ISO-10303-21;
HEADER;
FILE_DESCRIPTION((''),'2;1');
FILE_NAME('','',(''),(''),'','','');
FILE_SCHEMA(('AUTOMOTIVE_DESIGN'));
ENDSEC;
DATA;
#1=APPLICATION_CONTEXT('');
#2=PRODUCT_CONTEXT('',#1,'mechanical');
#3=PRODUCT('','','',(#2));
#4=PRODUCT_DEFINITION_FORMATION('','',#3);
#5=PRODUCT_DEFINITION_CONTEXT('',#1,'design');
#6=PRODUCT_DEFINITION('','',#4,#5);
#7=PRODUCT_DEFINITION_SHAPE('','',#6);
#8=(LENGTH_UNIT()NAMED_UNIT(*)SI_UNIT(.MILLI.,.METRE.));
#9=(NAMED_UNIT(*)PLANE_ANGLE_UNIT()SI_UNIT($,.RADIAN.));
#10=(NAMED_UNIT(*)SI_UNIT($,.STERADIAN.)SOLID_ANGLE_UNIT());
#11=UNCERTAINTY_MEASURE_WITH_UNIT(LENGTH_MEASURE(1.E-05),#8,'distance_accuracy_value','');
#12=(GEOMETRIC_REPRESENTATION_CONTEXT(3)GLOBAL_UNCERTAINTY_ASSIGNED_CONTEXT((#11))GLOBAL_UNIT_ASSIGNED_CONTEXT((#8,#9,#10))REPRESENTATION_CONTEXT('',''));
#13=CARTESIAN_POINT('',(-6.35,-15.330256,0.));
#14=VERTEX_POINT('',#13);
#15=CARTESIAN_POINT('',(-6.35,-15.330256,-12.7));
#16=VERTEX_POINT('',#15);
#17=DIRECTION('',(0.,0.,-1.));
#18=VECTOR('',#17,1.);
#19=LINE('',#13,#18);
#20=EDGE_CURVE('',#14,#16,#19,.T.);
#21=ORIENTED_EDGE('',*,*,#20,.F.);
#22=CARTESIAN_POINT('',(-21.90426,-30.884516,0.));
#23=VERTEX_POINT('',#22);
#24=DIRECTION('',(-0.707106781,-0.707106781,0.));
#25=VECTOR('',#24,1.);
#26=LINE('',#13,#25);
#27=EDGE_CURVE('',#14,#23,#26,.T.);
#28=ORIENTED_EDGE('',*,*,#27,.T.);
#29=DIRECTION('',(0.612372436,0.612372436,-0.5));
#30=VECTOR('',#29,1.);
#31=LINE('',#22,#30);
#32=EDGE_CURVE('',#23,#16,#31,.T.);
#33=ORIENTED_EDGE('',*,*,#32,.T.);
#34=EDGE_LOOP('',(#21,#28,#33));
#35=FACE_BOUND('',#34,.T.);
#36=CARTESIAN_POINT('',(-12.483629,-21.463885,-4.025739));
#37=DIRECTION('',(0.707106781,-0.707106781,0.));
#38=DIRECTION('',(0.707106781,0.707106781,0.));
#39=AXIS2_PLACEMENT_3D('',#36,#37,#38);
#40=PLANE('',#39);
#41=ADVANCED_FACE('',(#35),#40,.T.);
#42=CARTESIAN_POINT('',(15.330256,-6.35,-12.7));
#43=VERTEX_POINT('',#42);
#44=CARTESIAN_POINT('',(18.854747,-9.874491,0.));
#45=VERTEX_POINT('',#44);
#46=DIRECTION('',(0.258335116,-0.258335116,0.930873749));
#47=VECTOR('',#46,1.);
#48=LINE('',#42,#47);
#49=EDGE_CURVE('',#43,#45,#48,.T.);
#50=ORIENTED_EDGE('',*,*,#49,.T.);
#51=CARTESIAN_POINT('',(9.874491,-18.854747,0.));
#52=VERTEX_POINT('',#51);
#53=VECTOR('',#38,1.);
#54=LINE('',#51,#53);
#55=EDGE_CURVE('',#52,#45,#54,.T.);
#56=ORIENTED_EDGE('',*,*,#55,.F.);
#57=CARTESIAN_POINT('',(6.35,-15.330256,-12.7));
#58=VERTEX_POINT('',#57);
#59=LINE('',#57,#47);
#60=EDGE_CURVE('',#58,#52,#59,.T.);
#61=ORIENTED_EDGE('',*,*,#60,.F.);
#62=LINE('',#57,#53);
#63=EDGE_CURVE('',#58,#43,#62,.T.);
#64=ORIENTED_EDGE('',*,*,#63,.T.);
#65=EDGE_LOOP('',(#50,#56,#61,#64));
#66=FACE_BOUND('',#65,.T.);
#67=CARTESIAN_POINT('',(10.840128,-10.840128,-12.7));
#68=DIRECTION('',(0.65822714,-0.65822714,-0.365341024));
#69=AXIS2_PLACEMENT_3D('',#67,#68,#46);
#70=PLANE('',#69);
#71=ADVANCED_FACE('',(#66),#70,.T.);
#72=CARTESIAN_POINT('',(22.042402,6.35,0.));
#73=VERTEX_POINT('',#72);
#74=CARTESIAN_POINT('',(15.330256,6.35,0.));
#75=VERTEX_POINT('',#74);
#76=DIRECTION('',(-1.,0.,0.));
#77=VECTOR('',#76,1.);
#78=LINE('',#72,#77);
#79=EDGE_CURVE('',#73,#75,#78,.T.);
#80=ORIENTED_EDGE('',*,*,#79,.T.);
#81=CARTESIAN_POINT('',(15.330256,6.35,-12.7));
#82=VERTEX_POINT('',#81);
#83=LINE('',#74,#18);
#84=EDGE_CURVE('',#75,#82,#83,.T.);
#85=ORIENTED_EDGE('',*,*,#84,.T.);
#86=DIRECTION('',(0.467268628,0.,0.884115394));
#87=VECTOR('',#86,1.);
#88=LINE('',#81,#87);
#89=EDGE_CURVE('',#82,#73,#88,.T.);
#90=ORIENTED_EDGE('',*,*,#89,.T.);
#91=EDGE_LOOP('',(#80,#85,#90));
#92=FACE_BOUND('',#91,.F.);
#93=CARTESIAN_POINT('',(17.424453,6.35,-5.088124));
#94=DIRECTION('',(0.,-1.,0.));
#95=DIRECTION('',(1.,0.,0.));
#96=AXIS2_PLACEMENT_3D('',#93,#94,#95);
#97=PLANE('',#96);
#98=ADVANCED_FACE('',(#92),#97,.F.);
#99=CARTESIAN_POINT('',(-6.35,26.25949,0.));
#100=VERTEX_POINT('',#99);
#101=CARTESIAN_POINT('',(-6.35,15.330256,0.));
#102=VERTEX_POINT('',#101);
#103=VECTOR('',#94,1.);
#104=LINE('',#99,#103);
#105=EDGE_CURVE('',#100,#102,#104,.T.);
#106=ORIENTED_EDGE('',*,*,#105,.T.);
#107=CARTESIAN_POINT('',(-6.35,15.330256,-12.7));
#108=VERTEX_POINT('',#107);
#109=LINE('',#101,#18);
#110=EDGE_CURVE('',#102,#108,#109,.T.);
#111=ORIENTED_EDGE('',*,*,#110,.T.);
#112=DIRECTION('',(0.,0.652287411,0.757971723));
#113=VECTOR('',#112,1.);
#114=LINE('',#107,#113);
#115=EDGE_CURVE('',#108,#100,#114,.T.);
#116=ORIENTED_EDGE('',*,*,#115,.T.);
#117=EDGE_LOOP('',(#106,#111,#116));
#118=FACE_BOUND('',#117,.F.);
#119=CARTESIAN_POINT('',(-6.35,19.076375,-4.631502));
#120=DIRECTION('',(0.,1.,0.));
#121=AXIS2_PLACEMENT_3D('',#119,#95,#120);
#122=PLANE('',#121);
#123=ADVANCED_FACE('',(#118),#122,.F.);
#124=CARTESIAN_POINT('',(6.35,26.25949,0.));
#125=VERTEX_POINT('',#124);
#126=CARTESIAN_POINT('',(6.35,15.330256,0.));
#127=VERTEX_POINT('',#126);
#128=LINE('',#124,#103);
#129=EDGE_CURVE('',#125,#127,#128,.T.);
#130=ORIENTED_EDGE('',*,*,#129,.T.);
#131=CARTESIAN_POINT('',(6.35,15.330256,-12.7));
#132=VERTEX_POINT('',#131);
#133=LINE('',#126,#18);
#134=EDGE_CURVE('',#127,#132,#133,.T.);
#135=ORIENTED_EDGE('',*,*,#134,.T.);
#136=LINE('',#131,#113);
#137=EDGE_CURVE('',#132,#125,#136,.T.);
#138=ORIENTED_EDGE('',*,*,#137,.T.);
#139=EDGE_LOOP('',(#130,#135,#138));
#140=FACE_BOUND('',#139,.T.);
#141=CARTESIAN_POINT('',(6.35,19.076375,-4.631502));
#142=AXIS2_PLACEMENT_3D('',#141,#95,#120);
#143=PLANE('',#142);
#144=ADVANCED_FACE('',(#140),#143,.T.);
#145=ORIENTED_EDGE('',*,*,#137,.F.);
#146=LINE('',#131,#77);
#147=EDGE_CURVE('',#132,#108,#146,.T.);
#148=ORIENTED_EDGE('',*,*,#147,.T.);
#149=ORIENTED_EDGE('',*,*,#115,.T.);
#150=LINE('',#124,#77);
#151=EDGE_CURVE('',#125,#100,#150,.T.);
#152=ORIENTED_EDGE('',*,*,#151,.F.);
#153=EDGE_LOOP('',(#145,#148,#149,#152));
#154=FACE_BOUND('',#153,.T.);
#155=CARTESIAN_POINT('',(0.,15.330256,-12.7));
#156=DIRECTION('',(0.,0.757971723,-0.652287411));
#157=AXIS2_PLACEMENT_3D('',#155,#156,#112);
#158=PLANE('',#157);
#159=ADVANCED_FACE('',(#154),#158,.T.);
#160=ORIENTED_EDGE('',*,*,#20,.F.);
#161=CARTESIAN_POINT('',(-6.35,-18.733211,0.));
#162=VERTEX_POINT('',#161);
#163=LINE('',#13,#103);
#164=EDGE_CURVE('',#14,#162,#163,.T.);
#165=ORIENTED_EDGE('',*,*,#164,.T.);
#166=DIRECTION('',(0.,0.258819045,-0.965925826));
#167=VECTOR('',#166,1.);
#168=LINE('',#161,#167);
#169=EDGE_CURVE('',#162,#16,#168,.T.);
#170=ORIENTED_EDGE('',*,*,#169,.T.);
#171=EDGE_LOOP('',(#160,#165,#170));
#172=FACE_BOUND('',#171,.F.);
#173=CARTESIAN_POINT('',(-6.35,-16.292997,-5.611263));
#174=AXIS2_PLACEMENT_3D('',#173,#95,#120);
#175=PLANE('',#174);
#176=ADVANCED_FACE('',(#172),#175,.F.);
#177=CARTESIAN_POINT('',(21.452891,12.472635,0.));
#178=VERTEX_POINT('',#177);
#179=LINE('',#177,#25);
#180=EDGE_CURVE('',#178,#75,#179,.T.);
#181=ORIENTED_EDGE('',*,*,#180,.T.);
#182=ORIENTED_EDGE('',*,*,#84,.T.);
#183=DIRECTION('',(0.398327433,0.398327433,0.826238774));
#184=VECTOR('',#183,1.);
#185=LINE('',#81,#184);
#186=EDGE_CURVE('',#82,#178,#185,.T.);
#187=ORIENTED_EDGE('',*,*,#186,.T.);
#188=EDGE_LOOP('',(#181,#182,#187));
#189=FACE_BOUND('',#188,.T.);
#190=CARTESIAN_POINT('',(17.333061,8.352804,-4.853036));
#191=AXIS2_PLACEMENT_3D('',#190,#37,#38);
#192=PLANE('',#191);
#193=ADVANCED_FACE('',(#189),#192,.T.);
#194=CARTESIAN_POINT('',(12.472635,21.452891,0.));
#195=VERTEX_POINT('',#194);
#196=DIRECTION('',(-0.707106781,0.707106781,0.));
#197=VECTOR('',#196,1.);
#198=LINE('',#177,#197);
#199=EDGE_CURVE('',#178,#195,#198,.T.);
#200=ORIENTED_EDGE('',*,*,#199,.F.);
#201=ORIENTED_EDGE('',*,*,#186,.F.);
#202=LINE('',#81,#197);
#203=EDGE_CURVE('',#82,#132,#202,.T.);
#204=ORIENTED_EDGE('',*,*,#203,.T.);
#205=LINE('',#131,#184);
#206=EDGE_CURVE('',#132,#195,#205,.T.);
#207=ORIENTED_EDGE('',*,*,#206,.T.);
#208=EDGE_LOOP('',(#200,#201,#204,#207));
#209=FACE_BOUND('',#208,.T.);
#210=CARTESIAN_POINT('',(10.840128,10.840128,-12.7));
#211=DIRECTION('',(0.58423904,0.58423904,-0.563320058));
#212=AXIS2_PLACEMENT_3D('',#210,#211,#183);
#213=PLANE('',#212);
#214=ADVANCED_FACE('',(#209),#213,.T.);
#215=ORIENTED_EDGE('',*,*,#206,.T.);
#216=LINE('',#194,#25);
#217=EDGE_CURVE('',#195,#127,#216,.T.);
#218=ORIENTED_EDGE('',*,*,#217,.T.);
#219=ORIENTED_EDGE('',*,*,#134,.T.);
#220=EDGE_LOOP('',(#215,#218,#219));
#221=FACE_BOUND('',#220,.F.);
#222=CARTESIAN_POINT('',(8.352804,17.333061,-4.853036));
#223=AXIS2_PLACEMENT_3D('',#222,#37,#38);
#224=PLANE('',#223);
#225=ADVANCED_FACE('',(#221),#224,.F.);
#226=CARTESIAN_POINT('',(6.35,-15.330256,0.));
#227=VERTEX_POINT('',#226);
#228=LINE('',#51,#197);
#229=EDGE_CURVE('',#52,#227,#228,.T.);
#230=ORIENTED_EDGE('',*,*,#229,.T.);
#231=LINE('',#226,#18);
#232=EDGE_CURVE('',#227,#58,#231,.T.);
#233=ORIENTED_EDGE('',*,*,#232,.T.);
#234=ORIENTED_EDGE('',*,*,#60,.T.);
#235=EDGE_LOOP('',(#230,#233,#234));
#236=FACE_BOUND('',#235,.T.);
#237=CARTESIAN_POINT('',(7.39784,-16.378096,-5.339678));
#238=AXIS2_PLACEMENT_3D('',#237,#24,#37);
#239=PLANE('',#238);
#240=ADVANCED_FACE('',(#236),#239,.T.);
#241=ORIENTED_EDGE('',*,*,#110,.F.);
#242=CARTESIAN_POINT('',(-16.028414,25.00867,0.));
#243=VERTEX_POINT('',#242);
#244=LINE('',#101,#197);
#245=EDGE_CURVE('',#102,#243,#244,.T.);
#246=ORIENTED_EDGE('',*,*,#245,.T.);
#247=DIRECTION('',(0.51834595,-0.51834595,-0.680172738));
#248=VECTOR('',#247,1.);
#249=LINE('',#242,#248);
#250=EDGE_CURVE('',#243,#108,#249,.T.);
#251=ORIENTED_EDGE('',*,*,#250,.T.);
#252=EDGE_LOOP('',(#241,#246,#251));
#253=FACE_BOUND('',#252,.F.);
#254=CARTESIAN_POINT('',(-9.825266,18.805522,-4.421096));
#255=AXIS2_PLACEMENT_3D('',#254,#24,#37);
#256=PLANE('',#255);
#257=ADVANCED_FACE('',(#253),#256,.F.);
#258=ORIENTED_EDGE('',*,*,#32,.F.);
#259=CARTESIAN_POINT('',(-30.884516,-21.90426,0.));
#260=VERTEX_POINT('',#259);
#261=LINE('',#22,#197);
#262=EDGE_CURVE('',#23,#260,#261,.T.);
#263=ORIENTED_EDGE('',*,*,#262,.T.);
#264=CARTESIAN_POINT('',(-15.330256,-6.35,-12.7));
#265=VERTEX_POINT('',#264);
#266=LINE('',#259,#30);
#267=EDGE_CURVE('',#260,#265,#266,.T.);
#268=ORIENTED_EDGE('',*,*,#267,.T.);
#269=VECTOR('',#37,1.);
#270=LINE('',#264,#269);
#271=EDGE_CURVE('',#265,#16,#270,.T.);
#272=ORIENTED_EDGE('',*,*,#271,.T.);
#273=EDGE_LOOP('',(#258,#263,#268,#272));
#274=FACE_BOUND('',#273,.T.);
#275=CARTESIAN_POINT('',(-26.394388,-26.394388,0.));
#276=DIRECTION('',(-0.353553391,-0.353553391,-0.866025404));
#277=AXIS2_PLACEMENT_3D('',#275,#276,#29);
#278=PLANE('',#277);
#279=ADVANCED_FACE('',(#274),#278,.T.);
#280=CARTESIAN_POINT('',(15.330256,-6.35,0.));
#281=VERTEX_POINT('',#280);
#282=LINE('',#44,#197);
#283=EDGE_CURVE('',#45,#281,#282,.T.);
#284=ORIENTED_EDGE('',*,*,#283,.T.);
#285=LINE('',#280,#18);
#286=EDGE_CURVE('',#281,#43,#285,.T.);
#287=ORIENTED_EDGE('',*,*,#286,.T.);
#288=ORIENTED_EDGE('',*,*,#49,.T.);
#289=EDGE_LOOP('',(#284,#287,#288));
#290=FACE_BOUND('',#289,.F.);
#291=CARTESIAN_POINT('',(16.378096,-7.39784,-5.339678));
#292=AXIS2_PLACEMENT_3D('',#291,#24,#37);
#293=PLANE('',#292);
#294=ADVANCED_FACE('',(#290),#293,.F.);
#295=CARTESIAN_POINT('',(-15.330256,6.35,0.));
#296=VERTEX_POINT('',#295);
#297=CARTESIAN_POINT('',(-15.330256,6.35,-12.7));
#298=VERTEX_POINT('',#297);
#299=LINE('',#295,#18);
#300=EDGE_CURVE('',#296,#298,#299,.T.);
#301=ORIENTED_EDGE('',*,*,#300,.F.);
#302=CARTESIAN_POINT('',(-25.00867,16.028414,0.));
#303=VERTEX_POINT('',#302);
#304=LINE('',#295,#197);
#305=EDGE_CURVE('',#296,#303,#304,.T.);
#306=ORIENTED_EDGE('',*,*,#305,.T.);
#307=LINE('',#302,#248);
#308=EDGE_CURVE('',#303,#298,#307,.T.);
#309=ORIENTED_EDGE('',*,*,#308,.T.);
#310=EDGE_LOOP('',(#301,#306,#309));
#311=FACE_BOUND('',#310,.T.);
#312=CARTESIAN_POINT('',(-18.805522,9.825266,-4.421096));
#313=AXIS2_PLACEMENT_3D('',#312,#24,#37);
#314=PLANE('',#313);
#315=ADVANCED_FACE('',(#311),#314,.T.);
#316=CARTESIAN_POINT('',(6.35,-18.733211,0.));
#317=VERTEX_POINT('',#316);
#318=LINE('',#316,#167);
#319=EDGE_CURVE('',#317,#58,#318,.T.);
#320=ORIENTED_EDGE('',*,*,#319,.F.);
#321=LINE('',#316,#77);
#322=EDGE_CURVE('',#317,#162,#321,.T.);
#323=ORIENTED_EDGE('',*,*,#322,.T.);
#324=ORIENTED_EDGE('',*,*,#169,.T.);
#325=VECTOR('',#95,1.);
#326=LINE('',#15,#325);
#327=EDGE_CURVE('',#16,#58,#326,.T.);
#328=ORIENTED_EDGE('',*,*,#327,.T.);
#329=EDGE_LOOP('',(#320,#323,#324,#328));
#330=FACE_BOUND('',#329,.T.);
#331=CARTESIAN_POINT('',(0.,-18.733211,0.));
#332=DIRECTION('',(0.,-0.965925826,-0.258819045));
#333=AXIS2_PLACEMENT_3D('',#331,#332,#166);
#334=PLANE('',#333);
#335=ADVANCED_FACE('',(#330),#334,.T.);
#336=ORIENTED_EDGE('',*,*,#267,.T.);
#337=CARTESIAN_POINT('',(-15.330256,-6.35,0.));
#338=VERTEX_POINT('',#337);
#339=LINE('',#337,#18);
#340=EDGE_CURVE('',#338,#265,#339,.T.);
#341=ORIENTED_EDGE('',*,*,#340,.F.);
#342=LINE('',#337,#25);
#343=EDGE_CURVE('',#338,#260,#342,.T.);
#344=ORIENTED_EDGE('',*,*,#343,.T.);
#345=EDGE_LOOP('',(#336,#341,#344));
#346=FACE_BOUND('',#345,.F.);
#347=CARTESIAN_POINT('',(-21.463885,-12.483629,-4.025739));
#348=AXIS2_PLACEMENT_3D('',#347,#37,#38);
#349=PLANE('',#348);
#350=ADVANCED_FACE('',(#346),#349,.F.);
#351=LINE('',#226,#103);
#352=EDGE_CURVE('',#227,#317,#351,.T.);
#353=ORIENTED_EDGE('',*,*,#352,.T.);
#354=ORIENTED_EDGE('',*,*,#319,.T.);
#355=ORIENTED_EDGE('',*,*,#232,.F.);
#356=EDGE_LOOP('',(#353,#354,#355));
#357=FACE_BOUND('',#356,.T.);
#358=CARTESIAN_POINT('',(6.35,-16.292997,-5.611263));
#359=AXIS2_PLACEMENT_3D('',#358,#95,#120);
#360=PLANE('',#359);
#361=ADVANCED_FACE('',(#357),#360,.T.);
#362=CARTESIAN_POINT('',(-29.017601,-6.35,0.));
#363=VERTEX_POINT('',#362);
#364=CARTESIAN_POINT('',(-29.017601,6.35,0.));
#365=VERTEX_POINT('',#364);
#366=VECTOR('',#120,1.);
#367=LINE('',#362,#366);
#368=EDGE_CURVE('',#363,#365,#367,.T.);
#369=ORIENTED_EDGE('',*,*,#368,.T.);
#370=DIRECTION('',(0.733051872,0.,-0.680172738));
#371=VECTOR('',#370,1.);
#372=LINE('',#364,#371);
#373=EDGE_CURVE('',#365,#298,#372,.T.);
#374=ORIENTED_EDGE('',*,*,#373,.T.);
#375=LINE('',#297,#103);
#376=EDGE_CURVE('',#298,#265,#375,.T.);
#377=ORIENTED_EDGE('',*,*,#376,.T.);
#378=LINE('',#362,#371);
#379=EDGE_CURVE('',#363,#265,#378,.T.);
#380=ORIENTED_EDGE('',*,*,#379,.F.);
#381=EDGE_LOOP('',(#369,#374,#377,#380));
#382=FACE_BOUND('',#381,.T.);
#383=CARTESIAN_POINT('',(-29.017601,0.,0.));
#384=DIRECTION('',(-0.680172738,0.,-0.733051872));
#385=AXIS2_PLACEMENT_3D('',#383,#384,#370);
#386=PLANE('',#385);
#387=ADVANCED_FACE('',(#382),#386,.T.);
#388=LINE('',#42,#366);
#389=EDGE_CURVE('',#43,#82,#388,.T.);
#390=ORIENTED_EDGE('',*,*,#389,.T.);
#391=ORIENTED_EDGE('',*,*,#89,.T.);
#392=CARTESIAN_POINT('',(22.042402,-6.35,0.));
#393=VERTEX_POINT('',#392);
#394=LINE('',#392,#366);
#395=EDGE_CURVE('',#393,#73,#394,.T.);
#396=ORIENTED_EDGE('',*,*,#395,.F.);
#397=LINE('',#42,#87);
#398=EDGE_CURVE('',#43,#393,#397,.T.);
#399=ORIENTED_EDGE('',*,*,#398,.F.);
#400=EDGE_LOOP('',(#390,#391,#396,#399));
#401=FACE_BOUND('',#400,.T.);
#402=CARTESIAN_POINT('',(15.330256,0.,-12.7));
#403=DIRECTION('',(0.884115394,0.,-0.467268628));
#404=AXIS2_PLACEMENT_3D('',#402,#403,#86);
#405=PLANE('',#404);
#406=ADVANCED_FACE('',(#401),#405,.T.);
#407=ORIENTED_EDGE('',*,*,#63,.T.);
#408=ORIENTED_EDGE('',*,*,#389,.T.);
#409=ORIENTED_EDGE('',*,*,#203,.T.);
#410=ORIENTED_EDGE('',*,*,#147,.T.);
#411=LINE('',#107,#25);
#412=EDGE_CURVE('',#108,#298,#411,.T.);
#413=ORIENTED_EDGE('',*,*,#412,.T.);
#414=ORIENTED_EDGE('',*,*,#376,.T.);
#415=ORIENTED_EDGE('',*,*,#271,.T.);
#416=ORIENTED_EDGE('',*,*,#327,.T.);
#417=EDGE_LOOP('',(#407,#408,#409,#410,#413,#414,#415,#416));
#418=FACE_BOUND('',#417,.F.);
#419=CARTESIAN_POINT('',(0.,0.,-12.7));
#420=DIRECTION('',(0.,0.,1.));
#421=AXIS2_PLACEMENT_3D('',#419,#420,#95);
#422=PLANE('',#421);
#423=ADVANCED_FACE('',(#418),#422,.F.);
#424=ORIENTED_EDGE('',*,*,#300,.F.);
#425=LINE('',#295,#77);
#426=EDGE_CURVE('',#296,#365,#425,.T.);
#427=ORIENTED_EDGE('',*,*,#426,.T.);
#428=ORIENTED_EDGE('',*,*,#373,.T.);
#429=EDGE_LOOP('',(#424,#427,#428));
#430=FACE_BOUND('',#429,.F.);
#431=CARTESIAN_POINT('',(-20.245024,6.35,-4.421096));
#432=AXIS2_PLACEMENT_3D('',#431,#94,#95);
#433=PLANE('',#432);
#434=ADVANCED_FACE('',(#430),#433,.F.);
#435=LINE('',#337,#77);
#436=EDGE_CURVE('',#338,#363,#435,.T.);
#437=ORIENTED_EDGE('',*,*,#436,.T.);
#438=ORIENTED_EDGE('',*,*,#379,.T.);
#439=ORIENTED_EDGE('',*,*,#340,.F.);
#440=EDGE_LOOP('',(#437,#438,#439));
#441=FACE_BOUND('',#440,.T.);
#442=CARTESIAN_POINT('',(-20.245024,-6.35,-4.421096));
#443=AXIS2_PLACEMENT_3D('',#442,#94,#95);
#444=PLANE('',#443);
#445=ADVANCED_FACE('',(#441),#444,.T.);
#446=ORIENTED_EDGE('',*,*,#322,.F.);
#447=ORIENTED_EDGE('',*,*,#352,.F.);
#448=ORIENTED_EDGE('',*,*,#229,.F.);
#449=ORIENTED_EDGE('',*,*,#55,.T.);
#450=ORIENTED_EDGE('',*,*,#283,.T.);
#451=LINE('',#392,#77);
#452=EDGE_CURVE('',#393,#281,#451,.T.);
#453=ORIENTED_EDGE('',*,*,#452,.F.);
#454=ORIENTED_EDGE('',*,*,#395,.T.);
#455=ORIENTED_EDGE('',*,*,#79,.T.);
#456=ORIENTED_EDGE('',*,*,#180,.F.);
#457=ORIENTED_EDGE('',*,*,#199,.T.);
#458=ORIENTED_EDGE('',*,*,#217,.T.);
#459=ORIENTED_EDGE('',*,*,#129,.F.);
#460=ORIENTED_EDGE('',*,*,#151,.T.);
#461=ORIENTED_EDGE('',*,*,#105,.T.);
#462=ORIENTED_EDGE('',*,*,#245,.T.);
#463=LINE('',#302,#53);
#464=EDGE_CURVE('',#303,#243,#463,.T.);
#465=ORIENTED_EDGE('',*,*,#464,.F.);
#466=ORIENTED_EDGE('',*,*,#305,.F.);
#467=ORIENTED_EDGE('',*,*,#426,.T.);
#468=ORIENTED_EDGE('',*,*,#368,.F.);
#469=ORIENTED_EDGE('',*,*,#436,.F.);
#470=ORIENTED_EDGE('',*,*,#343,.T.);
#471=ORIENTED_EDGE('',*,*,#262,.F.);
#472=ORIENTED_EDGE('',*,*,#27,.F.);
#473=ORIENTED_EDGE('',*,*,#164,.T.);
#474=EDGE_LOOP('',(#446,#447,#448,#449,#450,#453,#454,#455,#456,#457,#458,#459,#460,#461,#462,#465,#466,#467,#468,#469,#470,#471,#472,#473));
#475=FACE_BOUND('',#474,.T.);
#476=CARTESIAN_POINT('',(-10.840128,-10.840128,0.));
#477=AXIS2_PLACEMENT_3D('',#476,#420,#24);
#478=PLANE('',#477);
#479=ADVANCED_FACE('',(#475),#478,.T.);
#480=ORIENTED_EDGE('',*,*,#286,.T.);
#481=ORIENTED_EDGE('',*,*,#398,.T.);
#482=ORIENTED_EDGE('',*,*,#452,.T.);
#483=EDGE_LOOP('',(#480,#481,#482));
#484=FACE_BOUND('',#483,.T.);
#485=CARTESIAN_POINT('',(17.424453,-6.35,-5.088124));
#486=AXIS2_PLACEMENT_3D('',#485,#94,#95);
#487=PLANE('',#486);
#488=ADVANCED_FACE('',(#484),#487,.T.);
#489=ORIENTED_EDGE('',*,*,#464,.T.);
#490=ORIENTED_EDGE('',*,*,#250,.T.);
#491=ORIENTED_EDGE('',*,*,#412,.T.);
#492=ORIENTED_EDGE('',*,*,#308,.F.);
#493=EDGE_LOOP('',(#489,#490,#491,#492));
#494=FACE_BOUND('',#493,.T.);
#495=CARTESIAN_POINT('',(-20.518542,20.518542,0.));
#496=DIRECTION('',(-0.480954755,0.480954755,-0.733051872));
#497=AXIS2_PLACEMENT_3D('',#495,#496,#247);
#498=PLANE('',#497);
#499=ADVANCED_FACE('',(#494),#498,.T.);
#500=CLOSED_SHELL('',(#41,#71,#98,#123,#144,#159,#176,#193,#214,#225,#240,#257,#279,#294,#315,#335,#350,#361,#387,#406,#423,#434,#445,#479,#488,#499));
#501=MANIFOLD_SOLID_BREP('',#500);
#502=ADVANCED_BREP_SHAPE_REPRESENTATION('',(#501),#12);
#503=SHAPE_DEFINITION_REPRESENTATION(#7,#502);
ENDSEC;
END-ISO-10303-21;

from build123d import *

# Parameters (mm, degrees)
F1_DEPTH  = 12.7
F5_DEPTH  = 6.35
F7_DEPTH  = 6.35
F9_DEPTH  = 6.35
F11_DEPTH = 6.35
F13_DEPTH = 6.35
F15_DEPTH = 6.35
F17_DEPTH = 6.35
F19_DEPTH = 6.35


with BuildPart() as f1:
    # F0 (on Top) → F1 (new body)
    with BuildSketch(Plane.XY):
        Polygon((6.35, -15.3302561211), (15.3302561211, -6.35), (15.3302561211, 6.35), (6.35, 15.3302561211), (-6.35, 15.3302561211), (-15.3302561211, 6.35), (-15.3302561211, -6.35), (-6.35, -15.3302561211), align=None)
    extrude(amount=-F1_DEPTH)

    # F4 (on Right) → F5 (join, symmetric)
    with BuildSketch(Plane.YZ):
        Polygon((-15.3302561211, -12.7), (-15.3302561211, 0), (-18.7332108649, 0), align=None)
    extrude(amount=F5_DEPTH, both=True)

    # F6 (on mid) → F7 (join, symmetric)
    with BuildSketch(Plane(origin=(0, 0, 0), x_dir=(0.7071067812, -0.7071067812, 0), z_dir=(-0.7071067812, -0.7071067812, 0))):
        Polygon((20.314638822, 0), (15.3302561211, 0), (15.3302561211, -12.7), align=None)
    extrude(amount=F7_DEPTH, both=True)

    # F8 (on Front) → F9 (join, symmetric)
    with BuildSketch(Plane.XZ):
        Polygon((22.0424020951, 0), (15.3302561211, 0), (15.3302561211, -12.7), align=None)
    extrude(amount=F9_DEPTH, both=True)

    # F10 (on mid) → F11 (join, symmetric)
    with BuildSketch(Plane(origin=(0, 0, 0), x_dir=(0.7071067812, 0.7071067812, 0), z_dir=(0.7071067812, -0.7071067812, 0))):
        Polygon((23.9889695097, 0), (15.3302561211, 0), (15.3302561211, -12.7), align=None)
    extrude(amount=F11_DEPTH, both=True)

    # F12 (on Right) → F13 (join, symmetric)
    with BuildSketch(Plane.YZ):
        Polygon((26.2594898514, 0), (15.3302561211, 0), (15.3302561211, -12.7), align=None)
    extrude(amount=F13_DEPTH, both=True)

    # F14 (on mid) → F15 (join, symmetric)
    with BuildSketch(Plane(origin=(0, 0, 0), x_dir=(0.7071067812, -0.7071067812, 0), z_dir=(-0.7071067812, -0.7071067812, 0))):
        Polygon((-15.3302561211, -12.7), (-15.3302561211, 0), (-29.0176009017, 0), align=None)
    extrude(amount=F15_DEPTH, both=True)

    # F16 (on Front) → F17 (join, symmetric)
    with BuildSketch(Plane.XZ):
        Polygon((-15.3302561211, -12.7), (-15.3302561211, 0), (-29.0176009017, 0), align=None)
    extrude(amount=F17_DEPTH, both=True)

    # F18 (on mid) → F19 (join, symmetric)
    with BuildSketch(Plane(origin=(0, 0, 0), x_dir=(0.7071067812, 0.7071067812, 0), z_dir=(0.7071067812, -0.7071067812, 0))):
        Polygon((-15.3302561211, -12.7), (-15.3302561211, 0), (-37.3273013772, 0), align=None)
    extrude(amount=F19_DEPTH, both=True)


solid = f1.part
